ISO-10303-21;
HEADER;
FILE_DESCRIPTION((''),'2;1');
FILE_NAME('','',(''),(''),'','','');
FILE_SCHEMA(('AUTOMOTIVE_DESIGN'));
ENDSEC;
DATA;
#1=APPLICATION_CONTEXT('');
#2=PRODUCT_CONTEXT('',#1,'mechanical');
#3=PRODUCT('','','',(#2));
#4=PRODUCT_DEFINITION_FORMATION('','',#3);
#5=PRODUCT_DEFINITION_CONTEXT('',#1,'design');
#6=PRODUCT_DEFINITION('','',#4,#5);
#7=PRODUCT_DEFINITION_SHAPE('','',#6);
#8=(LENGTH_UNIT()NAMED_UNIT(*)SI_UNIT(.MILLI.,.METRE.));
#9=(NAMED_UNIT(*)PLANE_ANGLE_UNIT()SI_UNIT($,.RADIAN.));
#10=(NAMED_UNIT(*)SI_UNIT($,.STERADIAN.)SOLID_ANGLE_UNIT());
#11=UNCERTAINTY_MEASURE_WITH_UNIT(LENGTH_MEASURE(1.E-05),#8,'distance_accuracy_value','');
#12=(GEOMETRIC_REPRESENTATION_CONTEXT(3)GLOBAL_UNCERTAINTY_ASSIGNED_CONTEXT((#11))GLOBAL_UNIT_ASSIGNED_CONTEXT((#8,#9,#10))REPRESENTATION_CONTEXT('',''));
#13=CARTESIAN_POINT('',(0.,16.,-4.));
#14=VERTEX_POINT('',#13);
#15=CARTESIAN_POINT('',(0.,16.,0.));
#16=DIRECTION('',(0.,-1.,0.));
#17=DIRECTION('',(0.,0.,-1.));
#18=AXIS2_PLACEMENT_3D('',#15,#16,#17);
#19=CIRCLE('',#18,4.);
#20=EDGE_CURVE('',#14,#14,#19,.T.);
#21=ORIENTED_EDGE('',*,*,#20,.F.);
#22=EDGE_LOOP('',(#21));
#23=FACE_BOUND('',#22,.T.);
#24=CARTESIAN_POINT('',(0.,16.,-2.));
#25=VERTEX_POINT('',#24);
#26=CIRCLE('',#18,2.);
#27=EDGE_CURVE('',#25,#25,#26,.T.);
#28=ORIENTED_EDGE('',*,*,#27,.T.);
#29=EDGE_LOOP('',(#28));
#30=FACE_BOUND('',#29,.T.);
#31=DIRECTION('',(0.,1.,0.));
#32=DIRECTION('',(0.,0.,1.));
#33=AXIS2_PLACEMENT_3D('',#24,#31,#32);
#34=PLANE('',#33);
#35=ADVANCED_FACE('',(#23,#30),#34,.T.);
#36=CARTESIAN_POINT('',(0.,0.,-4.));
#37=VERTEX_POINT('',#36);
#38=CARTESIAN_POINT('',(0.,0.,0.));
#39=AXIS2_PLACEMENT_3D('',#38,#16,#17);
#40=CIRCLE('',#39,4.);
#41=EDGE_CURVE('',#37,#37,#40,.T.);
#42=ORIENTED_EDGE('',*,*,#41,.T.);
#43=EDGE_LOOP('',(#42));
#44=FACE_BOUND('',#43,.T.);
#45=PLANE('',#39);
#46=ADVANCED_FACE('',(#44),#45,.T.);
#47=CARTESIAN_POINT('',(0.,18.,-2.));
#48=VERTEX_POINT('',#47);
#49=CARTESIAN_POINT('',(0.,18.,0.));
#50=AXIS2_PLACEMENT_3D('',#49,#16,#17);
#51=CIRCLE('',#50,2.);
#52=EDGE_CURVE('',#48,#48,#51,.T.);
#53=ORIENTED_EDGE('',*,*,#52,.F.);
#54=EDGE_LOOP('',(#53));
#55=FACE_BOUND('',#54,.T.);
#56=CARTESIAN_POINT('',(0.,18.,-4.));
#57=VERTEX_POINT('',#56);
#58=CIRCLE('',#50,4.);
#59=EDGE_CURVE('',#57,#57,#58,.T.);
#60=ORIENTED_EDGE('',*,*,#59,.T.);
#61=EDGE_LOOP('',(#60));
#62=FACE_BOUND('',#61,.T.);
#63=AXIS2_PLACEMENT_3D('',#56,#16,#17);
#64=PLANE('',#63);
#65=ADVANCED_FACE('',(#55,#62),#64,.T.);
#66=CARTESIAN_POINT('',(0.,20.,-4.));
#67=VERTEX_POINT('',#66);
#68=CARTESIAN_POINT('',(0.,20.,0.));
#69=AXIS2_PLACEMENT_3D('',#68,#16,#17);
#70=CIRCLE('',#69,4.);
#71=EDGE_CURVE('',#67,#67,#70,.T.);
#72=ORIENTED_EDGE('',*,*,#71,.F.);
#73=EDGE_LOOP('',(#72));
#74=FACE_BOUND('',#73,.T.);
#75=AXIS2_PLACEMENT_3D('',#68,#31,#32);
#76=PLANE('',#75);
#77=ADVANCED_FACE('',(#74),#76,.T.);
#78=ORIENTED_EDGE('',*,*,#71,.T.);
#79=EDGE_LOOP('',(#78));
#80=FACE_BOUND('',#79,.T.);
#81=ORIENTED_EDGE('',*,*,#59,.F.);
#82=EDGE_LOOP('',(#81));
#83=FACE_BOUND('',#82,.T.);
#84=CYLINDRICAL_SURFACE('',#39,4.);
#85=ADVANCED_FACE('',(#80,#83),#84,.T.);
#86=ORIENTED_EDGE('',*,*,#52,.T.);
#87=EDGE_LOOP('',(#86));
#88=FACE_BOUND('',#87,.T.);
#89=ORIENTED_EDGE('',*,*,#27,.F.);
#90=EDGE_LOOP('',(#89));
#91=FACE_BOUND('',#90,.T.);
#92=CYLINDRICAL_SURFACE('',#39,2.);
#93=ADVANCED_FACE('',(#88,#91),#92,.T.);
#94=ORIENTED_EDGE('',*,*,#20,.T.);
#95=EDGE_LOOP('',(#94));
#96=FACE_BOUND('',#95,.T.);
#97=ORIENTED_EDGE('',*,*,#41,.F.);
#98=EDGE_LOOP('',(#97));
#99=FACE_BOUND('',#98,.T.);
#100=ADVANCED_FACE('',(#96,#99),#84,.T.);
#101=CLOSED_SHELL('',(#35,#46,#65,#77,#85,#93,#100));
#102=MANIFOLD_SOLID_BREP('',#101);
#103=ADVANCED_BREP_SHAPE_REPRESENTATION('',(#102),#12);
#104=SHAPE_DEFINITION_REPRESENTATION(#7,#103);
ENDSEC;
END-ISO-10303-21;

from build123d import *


with BuildPart() as part:
    # Croquis2 → Revolución1 (revolve)
    with BuildSketch(Plane(origin=(0, 0, 0), x_dir=(0, 0, -1), z_dir=(1, 0, 0))):
        Polygon((0, 0), (0, 20), (4, 20), (4, 18), (2, 18), (2, 16), (4, 16), (4, 0), align=None)
    revolve(axis=Axis((0, 0, 0), (0, 1, 0)))


solid = part.part
